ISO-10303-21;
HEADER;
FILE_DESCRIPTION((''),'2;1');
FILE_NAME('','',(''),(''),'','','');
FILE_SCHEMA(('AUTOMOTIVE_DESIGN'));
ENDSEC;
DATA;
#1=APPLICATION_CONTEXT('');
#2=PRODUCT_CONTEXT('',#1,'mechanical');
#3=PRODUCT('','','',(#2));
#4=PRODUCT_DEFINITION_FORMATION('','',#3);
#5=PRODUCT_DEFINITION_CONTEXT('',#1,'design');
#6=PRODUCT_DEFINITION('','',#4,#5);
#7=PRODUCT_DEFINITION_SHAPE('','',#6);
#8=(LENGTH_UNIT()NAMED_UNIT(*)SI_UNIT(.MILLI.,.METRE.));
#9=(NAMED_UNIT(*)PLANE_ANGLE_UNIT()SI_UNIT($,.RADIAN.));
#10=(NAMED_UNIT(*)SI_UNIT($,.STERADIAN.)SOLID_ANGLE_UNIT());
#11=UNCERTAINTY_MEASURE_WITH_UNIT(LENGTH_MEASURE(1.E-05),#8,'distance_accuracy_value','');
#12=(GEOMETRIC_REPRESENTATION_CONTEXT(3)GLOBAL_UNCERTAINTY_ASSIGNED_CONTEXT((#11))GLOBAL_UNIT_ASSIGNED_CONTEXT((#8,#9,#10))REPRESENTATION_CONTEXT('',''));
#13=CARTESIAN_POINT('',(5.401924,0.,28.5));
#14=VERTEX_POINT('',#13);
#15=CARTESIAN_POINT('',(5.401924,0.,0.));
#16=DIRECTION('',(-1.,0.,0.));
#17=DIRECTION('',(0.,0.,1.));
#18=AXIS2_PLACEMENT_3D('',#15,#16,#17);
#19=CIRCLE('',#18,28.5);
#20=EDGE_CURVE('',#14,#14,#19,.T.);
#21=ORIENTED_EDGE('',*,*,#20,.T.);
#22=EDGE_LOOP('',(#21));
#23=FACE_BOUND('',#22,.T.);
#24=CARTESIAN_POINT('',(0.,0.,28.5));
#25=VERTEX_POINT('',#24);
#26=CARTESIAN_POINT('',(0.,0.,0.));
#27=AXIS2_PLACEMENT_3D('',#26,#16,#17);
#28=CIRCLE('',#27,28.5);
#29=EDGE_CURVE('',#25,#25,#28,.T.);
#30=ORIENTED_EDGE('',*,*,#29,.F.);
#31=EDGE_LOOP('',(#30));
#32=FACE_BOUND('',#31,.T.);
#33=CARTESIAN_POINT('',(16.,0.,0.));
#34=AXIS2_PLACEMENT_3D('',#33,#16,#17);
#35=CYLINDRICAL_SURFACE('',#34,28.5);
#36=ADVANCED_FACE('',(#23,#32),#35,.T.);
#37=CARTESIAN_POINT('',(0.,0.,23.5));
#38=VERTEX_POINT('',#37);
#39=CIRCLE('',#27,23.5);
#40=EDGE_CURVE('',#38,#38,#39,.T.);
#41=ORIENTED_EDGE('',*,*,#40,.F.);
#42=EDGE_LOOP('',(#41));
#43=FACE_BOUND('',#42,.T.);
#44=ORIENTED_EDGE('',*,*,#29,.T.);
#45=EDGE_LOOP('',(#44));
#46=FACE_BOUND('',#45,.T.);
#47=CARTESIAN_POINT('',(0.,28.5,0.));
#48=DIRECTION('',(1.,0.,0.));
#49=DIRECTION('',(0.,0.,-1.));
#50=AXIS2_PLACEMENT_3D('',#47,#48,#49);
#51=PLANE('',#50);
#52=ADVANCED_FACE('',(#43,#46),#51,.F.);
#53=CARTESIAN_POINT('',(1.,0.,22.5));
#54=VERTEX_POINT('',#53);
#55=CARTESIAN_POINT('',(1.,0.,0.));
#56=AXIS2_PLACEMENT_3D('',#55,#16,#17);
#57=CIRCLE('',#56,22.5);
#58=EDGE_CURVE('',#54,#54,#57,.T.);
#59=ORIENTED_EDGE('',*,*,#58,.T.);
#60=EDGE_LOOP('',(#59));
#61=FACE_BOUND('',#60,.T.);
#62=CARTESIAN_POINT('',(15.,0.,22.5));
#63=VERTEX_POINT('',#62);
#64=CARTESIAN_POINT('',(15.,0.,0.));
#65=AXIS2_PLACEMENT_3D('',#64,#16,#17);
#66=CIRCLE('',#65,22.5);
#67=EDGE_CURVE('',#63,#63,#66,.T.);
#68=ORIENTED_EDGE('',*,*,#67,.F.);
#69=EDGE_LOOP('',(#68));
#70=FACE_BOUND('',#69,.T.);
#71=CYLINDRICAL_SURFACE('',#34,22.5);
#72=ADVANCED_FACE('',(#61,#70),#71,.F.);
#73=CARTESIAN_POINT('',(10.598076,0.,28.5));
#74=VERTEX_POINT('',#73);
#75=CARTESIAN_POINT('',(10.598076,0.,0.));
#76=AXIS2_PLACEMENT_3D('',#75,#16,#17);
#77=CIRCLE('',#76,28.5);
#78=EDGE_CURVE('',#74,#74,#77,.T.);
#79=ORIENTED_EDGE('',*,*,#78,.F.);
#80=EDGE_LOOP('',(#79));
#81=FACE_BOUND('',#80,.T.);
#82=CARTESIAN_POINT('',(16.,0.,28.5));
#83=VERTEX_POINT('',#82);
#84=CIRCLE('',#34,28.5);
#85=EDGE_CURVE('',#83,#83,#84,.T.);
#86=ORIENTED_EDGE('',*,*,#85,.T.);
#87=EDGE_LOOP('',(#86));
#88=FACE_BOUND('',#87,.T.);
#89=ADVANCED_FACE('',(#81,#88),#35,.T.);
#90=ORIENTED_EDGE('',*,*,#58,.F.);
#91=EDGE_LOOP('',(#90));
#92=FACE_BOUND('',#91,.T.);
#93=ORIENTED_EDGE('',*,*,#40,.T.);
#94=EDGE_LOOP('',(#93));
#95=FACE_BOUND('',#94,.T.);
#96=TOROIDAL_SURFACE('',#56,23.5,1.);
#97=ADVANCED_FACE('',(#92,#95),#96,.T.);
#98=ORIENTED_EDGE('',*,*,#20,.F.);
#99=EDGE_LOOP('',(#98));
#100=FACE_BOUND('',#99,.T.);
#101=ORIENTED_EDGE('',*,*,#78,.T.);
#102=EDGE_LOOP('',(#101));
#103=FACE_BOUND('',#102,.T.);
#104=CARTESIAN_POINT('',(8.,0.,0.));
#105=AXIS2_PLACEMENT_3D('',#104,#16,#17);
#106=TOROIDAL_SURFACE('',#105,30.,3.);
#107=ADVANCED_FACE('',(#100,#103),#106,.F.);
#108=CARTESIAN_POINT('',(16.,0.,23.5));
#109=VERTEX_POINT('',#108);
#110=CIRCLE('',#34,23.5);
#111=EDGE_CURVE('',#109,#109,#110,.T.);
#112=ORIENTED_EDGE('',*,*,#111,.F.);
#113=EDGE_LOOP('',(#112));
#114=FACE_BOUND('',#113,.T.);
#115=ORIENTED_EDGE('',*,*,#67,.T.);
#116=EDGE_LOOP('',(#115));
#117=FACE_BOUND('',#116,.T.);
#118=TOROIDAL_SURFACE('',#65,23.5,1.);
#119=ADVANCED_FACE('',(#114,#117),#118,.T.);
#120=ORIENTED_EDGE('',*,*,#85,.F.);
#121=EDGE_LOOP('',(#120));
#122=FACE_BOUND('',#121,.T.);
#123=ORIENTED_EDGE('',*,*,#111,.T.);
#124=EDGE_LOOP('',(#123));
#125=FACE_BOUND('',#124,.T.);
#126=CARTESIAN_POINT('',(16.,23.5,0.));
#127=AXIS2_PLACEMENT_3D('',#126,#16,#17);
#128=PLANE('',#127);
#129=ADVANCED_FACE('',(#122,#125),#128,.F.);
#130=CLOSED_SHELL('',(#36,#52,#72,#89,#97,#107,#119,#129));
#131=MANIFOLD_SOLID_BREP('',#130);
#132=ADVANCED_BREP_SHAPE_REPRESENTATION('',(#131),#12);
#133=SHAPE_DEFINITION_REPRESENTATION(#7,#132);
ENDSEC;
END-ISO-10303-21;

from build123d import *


with BuildPart() as part:
    # Sketch1 → Revolve1 (revolve)
    with BuildSketch(Plane.XY, mode=Mode.PRIVATE) as revolve1_sk:
        with BuildLine():
            Line((1, 22.5), (15, 22.5))
            ThreePointArc((15, 22.5), (15.707106781, 22.792893219), (16, 23.5))
            Line((16, 23.5), (16, 28.5))
            Line((16, 28.5), (10.598076211, 28.5))
            ThreePointArc((10.598076211, 28.5), (8, 27), (5.401923789, 28.5))
            Line((5.401923789, 28.5), (0, 28.5))
            Line((0, 28.5), (0, 23.5))
            ThreePointArc((0, 23.5), (0.292893219, 22.792893219), (1, 22.5))
        make_face()
    revolve(revolve1_sk.sketch.rotate(Axis((16, 0, 0), (-1, 0, 0)), 270), axis=Axis((16, 0, 0), (-1, 0, 0)))


solid = part.part
